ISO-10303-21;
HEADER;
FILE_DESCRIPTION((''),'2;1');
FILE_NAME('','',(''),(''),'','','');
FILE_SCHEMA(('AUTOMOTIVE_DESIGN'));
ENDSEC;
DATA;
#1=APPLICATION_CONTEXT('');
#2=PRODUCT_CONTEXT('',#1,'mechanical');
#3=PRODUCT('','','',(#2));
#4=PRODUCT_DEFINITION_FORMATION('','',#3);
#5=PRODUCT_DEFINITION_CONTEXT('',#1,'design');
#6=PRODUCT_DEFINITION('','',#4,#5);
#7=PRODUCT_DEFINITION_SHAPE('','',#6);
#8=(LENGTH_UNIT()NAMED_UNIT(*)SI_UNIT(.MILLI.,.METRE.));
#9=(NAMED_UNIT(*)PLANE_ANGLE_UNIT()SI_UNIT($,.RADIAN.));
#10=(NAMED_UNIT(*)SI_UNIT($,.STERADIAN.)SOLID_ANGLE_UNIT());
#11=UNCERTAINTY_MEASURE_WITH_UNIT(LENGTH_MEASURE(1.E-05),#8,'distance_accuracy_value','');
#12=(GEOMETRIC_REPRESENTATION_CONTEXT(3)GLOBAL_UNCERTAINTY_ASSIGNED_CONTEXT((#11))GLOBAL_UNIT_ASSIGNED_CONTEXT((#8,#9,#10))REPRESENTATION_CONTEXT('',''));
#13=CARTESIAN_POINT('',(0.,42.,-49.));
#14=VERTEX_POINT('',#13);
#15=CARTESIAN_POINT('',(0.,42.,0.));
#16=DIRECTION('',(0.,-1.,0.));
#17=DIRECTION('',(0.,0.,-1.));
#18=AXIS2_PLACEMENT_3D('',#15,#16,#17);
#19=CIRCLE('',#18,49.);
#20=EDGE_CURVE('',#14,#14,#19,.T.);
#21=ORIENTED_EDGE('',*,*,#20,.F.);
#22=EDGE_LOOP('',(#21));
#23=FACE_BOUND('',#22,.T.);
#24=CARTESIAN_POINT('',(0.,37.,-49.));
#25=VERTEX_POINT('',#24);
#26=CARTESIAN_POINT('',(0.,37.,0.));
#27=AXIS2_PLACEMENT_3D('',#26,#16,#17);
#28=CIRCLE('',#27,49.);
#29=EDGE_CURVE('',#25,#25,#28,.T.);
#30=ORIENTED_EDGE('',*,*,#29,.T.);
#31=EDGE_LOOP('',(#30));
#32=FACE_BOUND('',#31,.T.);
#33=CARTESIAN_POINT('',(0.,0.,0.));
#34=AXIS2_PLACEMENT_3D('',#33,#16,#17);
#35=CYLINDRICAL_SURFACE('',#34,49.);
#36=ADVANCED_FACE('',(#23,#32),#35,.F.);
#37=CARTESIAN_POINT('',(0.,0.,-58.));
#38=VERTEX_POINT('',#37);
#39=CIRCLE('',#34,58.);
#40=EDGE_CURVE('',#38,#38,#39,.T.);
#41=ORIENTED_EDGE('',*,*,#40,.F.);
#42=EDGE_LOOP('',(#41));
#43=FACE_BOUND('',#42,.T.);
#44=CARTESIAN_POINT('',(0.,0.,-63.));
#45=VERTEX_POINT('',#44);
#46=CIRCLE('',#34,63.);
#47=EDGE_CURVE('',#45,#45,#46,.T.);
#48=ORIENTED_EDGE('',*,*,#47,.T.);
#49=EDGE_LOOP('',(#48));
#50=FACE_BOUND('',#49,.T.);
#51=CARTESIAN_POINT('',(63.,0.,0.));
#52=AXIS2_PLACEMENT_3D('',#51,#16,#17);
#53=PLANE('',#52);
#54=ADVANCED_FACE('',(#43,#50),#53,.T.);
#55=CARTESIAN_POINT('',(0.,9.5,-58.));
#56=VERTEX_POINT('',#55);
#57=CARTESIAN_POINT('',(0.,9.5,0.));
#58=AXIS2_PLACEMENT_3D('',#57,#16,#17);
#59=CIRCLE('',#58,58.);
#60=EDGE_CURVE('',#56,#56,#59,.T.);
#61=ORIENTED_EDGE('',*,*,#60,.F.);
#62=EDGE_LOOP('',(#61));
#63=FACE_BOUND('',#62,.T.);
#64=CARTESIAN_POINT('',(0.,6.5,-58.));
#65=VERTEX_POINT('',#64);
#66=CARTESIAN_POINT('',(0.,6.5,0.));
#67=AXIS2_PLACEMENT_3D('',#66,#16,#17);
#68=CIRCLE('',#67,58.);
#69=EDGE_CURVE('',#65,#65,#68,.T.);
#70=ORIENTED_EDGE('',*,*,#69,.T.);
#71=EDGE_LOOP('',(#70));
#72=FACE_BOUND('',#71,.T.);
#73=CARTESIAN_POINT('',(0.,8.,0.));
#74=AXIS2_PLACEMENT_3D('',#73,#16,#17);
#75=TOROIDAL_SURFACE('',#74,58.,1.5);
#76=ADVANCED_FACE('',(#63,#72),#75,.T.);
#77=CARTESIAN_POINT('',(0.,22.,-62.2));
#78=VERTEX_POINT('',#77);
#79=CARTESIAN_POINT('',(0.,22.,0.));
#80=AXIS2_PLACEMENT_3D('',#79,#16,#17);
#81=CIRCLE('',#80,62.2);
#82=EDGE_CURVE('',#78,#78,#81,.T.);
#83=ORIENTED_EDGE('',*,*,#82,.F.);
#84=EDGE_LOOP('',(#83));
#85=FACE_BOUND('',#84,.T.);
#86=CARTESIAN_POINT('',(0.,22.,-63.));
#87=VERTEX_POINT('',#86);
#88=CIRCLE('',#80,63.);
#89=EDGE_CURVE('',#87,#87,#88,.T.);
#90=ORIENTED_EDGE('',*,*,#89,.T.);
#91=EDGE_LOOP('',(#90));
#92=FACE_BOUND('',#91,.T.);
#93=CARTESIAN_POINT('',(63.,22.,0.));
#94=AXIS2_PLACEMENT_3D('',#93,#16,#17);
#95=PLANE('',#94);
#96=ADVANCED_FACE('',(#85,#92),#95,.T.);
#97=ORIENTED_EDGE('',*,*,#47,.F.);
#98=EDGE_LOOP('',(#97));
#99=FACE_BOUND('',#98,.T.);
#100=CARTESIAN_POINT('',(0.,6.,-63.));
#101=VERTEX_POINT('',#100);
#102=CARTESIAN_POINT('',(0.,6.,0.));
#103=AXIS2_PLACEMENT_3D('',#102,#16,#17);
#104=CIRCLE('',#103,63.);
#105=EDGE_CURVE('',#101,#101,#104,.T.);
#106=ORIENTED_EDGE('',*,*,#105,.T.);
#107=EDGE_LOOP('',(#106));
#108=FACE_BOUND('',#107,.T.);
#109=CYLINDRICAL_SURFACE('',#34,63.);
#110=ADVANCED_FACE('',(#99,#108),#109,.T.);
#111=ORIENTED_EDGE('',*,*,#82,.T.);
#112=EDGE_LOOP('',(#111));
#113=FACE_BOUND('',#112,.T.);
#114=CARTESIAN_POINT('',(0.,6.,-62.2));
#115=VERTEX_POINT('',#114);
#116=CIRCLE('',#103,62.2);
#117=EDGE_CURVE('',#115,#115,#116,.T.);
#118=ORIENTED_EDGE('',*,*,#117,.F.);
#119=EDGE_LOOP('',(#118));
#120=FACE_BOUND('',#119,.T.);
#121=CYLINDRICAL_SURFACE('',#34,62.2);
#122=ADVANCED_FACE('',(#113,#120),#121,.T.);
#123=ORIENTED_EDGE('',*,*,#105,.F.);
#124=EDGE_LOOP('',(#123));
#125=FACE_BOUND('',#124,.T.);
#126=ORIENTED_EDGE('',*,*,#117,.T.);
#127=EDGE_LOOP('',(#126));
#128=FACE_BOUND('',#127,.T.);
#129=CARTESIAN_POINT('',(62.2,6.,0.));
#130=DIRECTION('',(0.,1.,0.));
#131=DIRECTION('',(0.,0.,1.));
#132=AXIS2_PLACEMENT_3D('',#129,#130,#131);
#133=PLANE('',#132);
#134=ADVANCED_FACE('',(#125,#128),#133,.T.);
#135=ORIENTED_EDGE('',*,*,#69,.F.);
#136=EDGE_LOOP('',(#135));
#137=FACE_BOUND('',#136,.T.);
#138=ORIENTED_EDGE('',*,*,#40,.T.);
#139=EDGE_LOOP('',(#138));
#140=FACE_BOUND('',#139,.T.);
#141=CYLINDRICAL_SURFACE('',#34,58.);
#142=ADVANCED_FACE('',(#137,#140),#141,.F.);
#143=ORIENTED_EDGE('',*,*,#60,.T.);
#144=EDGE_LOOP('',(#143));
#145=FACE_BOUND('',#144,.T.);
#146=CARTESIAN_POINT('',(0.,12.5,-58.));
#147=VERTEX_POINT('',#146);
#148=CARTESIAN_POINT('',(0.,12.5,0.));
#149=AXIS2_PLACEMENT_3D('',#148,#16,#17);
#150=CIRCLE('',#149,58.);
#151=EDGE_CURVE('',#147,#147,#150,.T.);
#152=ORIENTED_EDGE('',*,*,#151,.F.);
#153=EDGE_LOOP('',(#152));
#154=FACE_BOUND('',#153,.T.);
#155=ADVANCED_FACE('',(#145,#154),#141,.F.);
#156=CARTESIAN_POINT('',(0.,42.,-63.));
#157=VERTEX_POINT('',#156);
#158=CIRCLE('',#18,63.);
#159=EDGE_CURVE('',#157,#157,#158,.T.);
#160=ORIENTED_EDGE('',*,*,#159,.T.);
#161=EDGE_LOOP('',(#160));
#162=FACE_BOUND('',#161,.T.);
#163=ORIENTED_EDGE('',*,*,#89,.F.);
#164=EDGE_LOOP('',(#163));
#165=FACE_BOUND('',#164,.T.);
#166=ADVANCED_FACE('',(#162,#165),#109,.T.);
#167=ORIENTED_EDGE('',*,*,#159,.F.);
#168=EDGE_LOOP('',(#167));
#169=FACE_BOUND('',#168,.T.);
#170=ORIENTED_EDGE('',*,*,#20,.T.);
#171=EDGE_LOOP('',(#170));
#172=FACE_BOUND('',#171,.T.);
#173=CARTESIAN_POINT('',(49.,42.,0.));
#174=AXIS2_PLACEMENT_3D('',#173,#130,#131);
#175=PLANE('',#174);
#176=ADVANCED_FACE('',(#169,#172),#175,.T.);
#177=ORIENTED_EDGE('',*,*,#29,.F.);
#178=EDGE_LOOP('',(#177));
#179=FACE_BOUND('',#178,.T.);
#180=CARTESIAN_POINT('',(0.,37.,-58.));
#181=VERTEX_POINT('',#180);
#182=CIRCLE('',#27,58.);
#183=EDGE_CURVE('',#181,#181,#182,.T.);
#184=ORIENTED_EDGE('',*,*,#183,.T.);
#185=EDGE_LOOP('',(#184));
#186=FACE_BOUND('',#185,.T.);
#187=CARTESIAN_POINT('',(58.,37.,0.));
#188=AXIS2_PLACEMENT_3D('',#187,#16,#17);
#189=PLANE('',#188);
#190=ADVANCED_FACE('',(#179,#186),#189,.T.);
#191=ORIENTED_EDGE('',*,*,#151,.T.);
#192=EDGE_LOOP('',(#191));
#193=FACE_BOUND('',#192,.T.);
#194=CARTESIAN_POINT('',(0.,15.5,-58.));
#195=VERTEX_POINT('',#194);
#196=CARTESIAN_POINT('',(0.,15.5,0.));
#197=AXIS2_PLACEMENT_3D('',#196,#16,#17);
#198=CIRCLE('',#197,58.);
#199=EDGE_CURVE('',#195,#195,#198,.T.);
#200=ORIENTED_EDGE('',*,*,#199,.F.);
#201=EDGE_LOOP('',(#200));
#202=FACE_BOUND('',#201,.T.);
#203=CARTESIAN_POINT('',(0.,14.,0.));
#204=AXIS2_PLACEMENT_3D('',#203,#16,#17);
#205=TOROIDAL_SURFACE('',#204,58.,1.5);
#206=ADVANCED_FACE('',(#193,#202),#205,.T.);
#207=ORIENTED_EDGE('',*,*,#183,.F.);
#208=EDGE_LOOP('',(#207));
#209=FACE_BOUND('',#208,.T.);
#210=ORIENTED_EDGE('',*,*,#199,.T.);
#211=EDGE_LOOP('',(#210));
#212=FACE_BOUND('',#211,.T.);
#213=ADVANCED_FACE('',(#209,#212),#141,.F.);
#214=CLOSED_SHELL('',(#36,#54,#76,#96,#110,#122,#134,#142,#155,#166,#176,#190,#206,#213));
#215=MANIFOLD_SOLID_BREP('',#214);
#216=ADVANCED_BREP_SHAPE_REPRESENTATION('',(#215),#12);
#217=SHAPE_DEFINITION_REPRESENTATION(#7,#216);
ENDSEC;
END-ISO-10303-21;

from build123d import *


with BuildPart() as part:
    # Sketch1 → Revolve1 (revolve)
    with BuildSketch(Plane.XY, mode=Mode.PRIVATE) as revolve1_sk:
        with BuildLine():
            Line((49, 42), (63, 42))
            Line((63, 42), (63, 22))
            Line((63, 22), (62.2, 22))
            Line((62.2, 22), (62.2, 6))
            Line((62.2, 6), (63, 6))
            Line((63, 6), (63, 0))
            Line((63, 0), (58, 0))
            Line((58, 0), (58, 6.5))
            ThreePointArc((58, 6.5), (56.5, 8), (58, 9.5))
            Line((58, 9.5), (58, 12.5))
            ThreePointArc((58, 12.5), (56.5, 14), (58, 15.5))
            Line((58, 15.5), (58, 37))
            Line((58, 37), (49, 37))
            Line((49, 37), (49, 42))
        make_face()
    revolve(revolve1_sk.sketch.rotate(Axis((0, 0, 0), (0, 1, 0)), 90), axis=Axis((0, 0, 0), (0, 1, 0)))


solid = part.part
